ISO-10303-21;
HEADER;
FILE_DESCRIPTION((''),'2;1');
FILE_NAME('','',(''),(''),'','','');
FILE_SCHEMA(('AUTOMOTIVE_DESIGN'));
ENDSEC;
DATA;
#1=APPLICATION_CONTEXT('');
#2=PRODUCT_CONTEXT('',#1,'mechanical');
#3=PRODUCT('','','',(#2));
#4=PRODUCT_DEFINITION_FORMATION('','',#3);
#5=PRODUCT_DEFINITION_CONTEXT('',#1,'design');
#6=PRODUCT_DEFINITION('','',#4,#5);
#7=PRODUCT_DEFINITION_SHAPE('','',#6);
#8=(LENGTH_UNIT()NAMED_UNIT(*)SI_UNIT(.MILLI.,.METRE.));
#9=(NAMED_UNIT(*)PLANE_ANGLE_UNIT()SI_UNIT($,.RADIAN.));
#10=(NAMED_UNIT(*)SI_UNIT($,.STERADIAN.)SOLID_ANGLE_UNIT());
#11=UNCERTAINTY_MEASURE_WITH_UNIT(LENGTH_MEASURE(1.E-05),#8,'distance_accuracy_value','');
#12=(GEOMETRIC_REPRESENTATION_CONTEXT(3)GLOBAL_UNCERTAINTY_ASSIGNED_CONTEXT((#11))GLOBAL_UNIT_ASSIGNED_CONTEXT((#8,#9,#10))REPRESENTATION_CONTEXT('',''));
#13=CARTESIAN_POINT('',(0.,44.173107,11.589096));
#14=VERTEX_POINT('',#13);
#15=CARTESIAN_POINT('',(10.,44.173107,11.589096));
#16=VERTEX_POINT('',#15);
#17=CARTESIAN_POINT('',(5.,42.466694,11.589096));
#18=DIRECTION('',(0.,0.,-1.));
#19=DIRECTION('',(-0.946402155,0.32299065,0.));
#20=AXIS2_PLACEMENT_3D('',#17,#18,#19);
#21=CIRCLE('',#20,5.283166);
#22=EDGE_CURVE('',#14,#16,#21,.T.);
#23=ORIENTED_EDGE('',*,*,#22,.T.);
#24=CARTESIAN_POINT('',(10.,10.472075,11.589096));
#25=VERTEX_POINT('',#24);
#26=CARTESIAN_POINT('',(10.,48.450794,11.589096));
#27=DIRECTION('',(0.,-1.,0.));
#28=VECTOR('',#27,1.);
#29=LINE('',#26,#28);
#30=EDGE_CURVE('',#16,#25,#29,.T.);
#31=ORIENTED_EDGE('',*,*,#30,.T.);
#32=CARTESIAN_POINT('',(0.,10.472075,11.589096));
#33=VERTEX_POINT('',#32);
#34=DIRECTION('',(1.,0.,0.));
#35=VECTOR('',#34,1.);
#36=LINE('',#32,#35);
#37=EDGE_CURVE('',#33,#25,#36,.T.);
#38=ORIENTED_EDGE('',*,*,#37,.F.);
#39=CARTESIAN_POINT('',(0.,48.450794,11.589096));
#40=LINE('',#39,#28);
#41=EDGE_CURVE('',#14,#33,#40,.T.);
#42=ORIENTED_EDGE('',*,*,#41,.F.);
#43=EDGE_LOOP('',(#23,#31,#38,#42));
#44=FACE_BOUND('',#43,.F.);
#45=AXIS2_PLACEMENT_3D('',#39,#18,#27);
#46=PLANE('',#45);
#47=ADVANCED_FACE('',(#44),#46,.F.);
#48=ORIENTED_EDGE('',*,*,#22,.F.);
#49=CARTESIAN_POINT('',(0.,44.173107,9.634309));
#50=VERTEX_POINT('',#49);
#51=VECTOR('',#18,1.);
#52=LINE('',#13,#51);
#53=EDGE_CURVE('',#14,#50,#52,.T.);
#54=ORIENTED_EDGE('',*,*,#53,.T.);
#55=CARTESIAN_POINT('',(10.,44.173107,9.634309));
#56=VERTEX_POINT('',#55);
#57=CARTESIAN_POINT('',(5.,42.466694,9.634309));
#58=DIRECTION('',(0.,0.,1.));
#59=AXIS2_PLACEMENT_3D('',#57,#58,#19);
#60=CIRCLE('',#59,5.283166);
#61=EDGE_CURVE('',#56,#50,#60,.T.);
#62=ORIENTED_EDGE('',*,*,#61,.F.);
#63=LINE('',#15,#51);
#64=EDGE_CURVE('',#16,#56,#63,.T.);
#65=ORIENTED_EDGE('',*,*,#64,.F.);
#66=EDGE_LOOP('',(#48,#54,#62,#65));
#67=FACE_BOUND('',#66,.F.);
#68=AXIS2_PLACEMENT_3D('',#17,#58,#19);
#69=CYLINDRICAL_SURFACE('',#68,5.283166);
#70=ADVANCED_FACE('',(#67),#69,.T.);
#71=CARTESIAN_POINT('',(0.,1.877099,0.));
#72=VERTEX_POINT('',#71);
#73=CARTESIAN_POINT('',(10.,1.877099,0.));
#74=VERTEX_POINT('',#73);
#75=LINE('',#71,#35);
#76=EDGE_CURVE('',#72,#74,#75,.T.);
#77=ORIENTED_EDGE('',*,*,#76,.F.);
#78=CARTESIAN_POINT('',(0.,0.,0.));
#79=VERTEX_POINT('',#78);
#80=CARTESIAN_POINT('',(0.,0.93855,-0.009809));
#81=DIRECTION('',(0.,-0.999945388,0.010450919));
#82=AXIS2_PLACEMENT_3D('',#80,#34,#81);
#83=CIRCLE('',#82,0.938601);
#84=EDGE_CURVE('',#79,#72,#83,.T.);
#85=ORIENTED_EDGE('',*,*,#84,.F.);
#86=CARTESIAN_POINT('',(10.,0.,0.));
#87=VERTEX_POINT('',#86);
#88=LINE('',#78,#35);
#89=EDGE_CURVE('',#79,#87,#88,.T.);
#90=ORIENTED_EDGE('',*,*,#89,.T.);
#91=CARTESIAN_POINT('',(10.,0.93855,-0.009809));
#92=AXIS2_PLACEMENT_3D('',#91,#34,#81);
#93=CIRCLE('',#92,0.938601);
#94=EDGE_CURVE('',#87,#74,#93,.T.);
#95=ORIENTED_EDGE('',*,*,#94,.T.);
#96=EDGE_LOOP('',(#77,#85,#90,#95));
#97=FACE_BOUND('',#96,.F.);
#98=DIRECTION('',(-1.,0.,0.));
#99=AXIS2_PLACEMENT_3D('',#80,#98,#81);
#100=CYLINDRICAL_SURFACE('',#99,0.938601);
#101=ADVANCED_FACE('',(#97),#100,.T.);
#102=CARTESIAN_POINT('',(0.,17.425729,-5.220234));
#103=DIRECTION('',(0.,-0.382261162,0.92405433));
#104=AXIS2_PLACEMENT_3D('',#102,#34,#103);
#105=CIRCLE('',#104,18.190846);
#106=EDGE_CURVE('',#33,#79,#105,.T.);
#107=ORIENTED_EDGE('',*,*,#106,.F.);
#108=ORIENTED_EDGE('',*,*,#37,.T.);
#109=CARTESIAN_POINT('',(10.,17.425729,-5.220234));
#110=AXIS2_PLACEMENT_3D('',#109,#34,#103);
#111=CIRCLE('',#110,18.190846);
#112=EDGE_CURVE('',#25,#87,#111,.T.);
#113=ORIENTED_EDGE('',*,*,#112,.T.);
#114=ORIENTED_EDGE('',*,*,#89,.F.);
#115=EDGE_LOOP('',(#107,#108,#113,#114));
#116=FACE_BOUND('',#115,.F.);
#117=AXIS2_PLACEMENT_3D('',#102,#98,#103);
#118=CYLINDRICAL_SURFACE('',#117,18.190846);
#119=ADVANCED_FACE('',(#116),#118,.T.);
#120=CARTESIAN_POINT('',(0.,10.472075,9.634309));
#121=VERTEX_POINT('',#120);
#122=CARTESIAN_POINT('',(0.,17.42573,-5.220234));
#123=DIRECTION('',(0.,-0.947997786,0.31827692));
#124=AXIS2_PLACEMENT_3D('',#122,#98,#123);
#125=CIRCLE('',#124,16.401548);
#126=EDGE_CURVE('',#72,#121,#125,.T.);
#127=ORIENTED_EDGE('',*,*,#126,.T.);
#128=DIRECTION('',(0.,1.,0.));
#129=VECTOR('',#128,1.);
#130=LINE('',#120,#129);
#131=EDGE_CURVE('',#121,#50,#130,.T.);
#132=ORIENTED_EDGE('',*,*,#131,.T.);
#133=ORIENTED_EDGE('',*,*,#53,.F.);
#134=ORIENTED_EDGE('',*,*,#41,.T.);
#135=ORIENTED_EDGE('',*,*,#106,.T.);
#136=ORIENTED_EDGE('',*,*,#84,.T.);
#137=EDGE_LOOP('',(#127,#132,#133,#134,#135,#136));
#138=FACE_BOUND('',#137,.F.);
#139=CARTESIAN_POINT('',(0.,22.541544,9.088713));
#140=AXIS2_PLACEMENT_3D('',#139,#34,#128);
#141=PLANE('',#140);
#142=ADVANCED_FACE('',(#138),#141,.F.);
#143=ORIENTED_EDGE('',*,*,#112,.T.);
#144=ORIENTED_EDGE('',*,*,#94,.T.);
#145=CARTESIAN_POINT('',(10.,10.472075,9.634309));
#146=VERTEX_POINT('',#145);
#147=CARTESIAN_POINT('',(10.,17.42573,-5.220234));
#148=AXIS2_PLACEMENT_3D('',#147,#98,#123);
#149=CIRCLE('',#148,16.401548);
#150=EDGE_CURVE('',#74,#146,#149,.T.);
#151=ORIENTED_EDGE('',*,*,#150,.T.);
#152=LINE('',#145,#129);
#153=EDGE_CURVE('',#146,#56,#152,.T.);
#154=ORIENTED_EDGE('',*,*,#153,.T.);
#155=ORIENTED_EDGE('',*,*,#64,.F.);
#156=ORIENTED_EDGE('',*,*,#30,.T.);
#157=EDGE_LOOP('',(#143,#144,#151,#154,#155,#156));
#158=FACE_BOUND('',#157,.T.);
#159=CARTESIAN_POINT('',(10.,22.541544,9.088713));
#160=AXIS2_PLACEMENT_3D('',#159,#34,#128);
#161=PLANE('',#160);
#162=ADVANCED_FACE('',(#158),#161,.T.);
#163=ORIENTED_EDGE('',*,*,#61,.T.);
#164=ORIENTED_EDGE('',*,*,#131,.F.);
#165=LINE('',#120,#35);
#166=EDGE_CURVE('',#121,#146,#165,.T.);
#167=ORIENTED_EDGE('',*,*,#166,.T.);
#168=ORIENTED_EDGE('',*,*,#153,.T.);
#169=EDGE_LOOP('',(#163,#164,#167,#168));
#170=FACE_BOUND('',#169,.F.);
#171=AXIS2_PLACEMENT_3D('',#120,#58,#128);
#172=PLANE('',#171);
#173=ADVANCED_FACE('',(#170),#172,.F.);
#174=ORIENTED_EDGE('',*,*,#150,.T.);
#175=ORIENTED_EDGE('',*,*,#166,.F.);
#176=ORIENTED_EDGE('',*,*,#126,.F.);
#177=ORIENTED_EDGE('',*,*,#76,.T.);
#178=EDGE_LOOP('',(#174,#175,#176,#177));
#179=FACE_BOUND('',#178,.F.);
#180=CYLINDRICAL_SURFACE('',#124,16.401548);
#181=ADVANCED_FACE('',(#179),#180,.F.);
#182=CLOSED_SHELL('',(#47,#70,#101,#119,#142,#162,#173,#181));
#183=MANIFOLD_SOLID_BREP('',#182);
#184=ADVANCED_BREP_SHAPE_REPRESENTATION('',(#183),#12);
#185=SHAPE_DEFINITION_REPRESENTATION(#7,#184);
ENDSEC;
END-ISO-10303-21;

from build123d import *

# Parameters (mm, degrees)
F1_DEPTH = 10
F3_DEPTH = 25


with BuildPart() as f1:
    # F0 (on Right) → F1 (new body)
    with BuildSketch(Plane.YZ):
        with BuildLine():
            Line((48.450794, 11.589096), (10.472075, 11.589096))
            ThreePointArc((10.472075, 11.589096), (3.928864, 6.975729), (0, 0))
            ThreePointArc((0, 0), (0.93855, -0.94841), (1.877099, 0))
            ThreePointArc((1.877099, 0), (5.186727, 5.698446), (10.472075, 9.634309))
            Line((10.472075, 9.634309), (48.450794, 9.634309))
            Line((48.450794, 9.634309), (48.450794, 11.589096))
        make_face()
    extrude(amount=F1_DEPTH)

    # F2 (on face) → F3 (cut)
    with BuildSketch(Plane.XY.offset(11.589096)):
        with BuildLine():
            ThreePointArc((0, 44.173107), (5, 47.74986), (10, 44.173107))
            Line((10, 44.173107), (10, 48.450794))
            Line((10, 48.450794), (0, 48.450794))
            Line((0, 48.450794), (0, 44.173107))
        make_face()
    extrude(amount=-F3_DEPTH, mode=Mode.SUBTRACT)


solid = f1.part
